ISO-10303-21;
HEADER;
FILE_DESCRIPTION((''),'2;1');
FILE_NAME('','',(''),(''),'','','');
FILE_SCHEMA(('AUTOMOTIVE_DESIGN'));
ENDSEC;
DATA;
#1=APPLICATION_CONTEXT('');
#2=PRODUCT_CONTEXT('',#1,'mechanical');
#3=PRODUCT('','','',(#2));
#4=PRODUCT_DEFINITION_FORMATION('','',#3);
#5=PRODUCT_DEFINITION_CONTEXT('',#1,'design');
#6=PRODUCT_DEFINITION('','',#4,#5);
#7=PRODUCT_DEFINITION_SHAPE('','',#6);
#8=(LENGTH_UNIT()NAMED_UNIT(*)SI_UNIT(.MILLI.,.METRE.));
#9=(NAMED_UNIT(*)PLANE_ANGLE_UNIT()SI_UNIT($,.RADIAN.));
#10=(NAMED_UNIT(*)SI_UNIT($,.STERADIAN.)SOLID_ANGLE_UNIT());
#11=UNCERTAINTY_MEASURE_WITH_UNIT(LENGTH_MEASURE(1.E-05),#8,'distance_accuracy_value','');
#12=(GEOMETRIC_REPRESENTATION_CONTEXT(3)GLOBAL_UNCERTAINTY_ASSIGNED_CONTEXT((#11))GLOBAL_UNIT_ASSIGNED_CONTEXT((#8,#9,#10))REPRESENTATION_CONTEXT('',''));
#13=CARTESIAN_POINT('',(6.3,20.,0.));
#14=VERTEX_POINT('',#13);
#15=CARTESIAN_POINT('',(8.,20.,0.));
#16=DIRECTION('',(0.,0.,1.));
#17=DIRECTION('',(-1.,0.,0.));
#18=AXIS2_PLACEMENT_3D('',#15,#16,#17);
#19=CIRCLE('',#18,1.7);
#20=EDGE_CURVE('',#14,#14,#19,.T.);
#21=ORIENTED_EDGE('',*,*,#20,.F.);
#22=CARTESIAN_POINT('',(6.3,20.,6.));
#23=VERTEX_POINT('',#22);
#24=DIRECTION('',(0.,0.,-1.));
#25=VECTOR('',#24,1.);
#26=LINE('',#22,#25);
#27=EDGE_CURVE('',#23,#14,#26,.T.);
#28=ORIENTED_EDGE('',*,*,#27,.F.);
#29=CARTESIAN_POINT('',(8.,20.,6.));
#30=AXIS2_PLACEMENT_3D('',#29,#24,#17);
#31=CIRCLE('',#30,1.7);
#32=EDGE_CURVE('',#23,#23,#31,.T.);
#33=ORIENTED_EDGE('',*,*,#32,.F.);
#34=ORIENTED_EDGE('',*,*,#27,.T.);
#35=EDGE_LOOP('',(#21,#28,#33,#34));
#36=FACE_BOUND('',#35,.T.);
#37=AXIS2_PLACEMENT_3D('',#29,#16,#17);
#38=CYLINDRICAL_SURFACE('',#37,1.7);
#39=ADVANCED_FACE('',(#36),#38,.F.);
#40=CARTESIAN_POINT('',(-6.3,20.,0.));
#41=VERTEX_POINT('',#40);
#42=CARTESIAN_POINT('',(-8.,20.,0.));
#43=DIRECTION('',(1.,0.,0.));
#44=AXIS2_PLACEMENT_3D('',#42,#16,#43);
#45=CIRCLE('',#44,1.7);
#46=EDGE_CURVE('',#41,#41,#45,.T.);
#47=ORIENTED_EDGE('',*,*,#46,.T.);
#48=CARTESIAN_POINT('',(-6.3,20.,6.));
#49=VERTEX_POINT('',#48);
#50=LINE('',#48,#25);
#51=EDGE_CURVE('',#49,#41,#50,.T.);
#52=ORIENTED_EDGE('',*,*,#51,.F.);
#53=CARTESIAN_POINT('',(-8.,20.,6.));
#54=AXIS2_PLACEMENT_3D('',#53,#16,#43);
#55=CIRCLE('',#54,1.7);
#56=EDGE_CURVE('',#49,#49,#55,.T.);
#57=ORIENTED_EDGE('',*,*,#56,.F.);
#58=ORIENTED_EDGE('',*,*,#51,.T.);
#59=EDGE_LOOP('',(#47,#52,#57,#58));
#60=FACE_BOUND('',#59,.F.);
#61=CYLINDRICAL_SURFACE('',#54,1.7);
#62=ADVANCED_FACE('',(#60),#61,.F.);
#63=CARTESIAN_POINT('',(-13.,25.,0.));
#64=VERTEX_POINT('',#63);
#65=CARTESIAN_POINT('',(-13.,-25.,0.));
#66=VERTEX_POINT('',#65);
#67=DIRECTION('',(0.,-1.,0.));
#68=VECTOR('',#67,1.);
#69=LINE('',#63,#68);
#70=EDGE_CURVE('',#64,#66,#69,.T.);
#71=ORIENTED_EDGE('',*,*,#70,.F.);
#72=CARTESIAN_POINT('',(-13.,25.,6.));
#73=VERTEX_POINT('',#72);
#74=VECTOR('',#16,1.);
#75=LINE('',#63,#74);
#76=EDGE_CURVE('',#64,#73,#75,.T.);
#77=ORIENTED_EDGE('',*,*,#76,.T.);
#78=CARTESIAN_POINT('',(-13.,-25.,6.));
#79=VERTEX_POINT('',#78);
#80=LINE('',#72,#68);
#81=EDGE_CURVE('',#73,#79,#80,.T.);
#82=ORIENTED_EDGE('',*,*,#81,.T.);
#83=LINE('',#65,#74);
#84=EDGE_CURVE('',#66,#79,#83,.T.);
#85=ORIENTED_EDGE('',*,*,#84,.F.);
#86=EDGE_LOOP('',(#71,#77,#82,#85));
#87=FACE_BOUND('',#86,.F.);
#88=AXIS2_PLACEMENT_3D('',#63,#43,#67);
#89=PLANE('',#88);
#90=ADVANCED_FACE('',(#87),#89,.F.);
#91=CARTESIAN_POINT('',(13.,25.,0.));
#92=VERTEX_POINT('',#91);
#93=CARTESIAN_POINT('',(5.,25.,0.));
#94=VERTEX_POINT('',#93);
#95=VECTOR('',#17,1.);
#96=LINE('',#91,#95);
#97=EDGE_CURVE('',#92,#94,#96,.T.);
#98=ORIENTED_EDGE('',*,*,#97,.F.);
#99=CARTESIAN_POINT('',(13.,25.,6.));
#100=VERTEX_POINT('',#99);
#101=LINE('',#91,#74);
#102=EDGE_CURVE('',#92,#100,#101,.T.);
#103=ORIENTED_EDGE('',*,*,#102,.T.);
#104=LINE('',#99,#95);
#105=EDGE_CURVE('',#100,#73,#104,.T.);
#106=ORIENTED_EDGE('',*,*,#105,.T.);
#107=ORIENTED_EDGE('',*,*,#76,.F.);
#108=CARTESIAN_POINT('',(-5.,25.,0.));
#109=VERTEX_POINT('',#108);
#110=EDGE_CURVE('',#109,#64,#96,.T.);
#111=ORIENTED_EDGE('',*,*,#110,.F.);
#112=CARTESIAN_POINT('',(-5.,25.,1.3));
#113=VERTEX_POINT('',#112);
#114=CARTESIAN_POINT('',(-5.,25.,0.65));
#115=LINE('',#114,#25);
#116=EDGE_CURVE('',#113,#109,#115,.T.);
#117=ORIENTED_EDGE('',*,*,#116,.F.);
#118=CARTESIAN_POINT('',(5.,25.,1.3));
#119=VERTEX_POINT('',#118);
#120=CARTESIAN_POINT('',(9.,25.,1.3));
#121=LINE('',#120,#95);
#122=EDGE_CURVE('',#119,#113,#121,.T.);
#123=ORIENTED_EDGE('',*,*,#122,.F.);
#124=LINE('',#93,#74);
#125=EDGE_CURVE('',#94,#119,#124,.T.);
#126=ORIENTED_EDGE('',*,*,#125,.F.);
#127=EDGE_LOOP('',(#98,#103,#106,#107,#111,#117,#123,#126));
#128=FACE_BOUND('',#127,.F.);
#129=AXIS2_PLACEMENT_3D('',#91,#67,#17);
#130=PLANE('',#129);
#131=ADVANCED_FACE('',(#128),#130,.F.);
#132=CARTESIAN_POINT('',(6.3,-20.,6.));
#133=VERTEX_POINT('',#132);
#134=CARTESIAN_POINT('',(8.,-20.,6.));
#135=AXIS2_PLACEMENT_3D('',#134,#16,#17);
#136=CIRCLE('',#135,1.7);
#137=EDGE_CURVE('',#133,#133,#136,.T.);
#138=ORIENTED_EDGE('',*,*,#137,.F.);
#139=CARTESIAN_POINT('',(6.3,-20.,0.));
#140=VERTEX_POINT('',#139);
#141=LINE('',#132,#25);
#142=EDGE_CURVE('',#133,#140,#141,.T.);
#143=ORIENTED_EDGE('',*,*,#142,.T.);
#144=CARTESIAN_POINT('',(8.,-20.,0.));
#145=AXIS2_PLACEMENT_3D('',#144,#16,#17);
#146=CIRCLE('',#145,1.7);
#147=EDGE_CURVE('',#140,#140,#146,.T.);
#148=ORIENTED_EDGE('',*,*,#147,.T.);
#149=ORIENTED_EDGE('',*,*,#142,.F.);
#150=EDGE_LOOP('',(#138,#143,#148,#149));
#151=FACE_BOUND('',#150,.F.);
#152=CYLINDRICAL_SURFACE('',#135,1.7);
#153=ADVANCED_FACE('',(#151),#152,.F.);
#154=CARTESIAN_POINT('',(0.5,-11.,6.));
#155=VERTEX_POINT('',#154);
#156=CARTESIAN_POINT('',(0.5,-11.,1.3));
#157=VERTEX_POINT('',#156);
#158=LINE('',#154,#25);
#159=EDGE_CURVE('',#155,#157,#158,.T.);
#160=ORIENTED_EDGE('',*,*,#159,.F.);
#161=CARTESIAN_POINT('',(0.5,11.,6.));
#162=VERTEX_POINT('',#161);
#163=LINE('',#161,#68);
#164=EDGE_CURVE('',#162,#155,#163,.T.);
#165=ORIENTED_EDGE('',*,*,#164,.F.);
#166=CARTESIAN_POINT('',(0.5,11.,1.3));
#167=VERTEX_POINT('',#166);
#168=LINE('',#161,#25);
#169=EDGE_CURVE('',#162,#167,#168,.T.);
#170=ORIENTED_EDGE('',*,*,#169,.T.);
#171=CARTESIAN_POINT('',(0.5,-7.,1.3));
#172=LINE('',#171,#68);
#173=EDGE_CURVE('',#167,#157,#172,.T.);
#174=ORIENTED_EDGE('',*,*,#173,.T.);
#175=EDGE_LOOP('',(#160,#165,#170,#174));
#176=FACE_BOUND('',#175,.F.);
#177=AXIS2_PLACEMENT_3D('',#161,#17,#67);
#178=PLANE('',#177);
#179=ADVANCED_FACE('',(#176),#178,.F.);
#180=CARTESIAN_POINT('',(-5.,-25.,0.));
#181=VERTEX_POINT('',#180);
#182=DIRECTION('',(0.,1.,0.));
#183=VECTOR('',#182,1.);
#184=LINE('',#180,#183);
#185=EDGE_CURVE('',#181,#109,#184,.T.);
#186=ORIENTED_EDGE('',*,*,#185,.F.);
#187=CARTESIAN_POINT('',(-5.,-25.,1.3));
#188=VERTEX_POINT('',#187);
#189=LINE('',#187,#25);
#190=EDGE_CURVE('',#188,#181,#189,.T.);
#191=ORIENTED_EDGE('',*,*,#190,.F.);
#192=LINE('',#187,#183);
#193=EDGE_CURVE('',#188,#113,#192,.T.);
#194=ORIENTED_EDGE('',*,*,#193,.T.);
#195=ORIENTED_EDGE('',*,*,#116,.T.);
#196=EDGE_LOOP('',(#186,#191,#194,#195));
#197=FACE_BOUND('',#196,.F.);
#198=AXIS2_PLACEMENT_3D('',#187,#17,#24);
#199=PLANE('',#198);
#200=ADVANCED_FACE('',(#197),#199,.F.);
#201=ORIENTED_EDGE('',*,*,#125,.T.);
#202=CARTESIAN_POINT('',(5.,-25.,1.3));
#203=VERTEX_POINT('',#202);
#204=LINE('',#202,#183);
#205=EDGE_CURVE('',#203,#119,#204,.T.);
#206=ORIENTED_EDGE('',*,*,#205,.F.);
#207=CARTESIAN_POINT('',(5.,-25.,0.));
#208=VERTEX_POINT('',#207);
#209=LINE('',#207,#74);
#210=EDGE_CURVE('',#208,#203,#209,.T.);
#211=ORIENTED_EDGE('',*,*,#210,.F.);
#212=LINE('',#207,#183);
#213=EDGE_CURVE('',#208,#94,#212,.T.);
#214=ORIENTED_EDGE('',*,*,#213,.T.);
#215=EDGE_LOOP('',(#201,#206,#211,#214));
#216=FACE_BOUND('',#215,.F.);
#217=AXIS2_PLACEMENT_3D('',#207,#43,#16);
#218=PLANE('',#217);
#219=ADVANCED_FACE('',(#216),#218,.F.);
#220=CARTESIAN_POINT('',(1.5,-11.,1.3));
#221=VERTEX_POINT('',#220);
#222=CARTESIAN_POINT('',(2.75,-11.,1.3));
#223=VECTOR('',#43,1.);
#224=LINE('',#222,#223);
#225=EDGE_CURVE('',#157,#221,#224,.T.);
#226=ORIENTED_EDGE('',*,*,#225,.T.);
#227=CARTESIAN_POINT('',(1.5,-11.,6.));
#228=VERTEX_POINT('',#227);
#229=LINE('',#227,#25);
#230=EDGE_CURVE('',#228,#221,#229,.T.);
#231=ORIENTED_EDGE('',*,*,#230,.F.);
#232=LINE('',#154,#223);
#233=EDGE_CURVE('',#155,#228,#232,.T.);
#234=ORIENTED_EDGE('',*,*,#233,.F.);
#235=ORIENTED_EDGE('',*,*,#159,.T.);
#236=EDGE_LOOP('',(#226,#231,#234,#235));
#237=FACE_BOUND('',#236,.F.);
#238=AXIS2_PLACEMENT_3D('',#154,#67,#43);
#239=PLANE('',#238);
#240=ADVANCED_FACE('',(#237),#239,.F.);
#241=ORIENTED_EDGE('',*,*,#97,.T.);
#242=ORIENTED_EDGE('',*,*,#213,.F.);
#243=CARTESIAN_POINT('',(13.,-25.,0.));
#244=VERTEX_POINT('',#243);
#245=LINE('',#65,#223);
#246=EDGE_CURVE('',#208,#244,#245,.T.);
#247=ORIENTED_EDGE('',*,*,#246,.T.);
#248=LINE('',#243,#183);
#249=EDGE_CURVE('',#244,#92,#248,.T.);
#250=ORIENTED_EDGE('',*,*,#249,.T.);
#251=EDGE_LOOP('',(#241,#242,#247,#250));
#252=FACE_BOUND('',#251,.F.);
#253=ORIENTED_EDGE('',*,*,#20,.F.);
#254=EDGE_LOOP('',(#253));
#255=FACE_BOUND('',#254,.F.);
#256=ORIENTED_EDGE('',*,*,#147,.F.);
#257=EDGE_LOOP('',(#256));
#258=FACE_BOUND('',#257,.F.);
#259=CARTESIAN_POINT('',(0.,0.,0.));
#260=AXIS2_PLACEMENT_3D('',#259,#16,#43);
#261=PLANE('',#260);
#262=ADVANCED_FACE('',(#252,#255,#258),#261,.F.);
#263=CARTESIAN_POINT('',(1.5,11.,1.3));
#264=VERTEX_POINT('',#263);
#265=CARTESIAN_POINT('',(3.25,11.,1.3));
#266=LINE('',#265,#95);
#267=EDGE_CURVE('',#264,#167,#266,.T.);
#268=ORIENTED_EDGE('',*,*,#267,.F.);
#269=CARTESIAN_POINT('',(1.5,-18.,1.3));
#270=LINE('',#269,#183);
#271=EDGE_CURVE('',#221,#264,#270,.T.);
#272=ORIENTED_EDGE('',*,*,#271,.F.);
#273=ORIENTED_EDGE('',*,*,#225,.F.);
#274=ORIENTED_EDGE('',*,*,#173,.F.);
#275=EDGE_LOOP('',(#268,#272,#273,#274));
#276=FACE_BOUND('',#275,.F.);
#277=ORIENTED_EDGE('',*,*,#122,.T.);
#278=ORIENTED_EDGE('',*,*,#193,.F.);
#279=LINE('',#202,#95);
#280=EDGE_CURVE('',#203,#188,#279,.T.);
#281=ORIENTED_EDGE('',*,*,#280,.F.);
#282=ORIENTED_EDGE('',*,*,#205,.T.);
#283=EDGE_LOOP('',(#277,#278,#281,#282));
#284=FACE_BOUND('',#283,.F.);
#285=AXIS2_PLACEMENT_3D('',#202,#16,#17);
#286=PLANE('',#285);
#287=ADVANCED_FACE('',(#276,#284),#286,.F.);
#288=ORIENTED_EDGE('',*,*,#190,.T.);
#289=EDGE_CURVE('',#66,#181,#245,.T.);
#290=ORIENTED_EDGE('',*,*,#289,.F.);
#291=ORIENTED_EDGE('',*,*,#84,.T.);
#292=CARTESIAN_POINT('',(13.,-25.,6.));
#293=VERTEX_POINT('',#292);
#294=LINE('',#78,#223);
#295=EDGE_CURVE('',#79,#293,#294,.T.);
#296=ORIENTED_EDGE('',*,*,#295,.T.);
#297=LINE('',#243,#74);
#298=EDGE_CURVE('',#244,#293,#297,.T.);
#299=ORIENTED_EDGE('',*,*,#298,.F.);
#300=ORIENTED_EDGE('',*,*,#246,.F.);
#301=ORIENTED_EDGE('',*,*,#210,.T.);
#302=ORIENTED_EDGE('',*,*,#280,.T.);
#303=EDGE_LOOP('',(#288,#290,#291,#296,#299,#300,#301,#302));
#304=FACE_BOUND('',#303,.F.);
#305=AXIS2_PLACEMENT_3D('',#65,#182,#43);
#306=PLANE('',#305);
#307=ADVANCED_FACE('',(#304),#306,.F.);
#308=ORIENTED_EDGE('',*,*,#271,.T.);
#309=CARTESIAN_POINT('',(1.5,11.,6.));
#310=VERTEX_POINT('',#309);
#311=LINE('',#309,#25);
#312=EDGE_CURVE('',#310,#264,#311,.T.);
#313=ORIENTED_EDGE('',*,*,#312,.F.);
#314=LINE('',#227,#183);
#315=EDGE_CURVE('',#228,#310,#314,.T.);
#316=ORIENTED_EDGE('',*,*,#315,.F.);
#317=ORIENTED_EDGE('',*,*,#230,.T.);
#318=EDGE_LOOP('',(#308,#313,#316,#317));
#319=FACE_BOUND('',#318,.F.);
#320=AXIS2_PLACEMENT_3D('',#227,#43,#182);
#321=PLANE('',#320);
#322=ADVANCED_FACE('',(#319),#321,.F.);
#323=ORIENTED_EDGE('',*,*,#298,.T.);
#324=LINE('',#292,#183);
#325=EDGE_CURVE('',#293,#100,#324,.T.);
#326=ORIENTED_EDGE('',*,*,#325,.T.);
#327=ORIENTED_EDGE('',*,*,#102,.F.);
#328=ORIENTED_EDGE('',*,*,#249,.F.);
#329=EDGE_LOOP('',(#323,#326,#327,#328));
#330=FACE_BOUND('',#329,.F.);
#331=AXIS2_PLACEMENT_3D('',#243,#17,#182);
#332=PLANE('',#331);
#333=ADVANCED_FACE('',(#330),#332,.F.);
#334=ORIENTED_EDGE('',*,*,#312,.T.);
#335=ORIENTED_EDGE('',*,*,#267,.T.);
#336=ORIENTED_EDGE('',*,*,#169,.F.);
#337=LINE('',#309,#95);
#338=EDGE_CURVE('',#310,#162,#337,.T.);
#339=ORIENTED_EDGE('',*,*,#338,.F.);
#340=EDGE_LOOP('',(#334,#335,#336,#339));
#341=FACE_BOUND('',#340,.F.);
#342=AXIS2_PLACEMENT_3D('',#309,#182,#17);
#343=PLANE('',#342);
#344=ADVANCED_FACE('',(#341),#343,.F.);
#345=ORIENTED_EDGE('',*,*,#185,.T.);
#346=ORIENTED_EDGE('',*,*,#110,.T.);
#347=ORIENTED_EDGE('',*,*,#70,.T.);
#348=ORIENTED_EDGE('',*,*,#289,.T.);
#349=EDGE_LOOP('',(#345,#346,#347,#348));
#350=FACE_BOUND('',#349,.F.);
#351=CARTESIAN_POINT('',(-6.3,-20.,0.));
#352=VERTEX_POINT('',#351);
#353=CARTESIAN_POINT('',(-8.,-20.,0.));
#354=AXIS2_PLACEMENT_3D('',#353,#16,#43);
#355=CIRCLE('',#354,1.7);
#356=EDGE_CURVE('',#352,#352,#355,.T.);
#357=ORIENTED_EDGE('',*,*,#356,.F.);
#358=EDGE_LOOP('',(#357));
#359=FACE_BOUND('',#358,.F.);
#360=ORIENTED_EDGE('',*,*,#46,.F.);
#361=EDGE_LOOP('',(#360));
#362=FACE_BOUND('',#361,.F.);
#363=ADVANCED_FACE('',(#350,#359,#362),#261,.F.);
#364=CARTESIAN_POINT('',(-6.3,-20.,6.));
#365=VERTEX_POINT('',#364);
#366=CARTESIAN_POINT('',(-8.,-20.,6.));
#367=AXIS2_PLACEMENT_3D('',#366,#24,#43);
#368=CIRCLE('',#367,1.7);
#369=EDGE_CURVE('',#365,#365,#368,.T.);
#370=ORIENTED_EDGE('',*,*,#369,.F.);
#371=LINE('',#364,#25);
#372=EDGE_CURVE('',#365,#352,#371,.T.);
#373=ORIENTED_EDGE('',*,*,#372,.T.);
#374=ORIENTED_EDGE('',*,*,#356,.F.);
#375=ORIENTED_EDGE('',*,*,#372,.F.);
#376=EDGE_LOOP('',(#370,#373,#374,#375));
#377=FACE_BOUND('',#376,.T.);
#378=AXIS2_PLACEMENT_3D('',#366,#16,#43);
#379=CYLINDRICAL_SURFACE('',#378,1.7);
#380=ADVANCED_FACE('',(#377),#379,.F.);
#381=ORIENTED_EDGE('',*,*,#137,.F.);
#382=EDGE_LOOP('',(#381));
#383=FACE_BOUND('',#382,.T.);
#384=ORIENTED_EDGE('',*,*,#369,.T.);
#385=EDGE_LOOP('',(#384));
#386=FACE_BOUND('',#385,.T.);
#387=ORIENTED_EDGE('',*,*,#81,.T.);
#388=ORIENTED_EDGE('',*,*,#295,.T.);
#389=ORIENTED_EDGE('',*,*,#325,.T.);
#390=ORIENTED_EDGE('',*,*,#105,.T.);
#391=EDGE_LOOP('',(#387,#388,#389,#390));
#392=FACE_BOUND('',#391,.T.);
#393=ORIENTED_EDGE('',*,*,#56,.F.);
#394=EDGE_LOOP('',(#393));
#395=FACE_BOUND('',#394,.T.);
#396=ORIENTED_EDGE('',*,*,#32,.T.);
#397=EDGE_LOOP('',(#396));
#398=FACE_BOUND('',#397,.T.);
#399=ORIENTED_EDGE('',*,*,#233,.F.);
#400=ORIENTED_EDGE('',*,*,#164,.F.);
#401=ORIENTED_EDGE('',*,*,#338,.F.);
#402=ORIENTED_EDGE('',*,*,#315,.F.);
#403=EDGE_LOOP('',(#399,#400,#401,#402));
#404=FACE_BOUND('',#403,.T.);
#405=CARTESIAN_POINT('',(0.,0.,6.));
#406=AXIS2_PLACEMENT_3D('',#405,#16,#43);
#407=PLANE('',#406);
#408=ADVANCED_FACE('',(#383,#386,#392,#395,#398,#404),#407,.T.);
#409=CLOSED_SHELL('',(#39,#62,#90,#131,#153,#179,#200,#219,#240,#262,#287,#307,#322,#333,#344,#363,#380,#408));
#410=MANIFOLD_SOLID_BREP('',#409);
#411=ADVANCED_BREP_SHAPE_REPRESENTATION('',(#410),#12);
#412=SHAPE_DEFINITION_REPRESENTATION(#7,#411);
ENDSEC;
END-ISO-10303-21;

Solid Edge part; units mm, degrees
sketch "Sketch1" plane through (0, 0, 0) normal (0, 0, 1) x (1, 0, 0)
  line L0 (-13, -25) -> (13, -25)
  line L1 (13, -25) -> (13, 25)
  line L2 (13, 25) -> (-13, 25)
  line L3 (-13, 25) -> (-13, -25)
  dimension "D1" = 26
  dimension "D2" = 50
extrude "Protrusion1" add sketch "Sketch1" along normal blind 6
sketch "Sketch2" plane through (0, -25, 3) normal (0, -1, 0) x (1, 0, 0)
  line L0 (-5, -3) -> (5, -3)
  line L1 (5, -3) -> (5, -1.7)
  line L2 (5, -1.7) -> (-5, -1.7)
  line L3 (-5, -1.7) -> (-5, -3)
  dimension "D1" = 10
  dimension "D2" = 1.3
extrude "Cutout1" cut sketch "Sketch2" against normal through all
sketch "Sketch3" plane through (0, 0, 6) normal (0, 0, 1) x (1, 0, 0)
  circle A0 centre (-8, 20) radius 1.7
  dimension "D1" = 7
  dimension "D2" = 8
  dimension "D3" = 5
extrude "Cutout2" cut sketch "Sketch3" against normal through all
mirror "Mirror1" about plane through (0, 0, 0) normal (1, 0, 0) of "Cutout2"
mirror "Mirror2" about plane through (0, 0, 0) normal (0, -1, 0) of "Cutout2", "Mirror1"
sketch "Sketch4" plane through (0, 0, 6) normal (0, 0, 1) x (1, 0, 0)
  line L0 (0.5, -11) -> (1.5, -11)
  line L1 (1.5, -11) -> (1.5, 11)
  line L2 (1.5, 11) -> (0.5, 11)
  line L3 (0.5, 11) -> (0.5, -11)
  dimension "D1" = 1
  dimension "D2" = 22
  dimension "D3" = 4
extrude "Cutout3" cut sketch "Sketch4" against normal through all
